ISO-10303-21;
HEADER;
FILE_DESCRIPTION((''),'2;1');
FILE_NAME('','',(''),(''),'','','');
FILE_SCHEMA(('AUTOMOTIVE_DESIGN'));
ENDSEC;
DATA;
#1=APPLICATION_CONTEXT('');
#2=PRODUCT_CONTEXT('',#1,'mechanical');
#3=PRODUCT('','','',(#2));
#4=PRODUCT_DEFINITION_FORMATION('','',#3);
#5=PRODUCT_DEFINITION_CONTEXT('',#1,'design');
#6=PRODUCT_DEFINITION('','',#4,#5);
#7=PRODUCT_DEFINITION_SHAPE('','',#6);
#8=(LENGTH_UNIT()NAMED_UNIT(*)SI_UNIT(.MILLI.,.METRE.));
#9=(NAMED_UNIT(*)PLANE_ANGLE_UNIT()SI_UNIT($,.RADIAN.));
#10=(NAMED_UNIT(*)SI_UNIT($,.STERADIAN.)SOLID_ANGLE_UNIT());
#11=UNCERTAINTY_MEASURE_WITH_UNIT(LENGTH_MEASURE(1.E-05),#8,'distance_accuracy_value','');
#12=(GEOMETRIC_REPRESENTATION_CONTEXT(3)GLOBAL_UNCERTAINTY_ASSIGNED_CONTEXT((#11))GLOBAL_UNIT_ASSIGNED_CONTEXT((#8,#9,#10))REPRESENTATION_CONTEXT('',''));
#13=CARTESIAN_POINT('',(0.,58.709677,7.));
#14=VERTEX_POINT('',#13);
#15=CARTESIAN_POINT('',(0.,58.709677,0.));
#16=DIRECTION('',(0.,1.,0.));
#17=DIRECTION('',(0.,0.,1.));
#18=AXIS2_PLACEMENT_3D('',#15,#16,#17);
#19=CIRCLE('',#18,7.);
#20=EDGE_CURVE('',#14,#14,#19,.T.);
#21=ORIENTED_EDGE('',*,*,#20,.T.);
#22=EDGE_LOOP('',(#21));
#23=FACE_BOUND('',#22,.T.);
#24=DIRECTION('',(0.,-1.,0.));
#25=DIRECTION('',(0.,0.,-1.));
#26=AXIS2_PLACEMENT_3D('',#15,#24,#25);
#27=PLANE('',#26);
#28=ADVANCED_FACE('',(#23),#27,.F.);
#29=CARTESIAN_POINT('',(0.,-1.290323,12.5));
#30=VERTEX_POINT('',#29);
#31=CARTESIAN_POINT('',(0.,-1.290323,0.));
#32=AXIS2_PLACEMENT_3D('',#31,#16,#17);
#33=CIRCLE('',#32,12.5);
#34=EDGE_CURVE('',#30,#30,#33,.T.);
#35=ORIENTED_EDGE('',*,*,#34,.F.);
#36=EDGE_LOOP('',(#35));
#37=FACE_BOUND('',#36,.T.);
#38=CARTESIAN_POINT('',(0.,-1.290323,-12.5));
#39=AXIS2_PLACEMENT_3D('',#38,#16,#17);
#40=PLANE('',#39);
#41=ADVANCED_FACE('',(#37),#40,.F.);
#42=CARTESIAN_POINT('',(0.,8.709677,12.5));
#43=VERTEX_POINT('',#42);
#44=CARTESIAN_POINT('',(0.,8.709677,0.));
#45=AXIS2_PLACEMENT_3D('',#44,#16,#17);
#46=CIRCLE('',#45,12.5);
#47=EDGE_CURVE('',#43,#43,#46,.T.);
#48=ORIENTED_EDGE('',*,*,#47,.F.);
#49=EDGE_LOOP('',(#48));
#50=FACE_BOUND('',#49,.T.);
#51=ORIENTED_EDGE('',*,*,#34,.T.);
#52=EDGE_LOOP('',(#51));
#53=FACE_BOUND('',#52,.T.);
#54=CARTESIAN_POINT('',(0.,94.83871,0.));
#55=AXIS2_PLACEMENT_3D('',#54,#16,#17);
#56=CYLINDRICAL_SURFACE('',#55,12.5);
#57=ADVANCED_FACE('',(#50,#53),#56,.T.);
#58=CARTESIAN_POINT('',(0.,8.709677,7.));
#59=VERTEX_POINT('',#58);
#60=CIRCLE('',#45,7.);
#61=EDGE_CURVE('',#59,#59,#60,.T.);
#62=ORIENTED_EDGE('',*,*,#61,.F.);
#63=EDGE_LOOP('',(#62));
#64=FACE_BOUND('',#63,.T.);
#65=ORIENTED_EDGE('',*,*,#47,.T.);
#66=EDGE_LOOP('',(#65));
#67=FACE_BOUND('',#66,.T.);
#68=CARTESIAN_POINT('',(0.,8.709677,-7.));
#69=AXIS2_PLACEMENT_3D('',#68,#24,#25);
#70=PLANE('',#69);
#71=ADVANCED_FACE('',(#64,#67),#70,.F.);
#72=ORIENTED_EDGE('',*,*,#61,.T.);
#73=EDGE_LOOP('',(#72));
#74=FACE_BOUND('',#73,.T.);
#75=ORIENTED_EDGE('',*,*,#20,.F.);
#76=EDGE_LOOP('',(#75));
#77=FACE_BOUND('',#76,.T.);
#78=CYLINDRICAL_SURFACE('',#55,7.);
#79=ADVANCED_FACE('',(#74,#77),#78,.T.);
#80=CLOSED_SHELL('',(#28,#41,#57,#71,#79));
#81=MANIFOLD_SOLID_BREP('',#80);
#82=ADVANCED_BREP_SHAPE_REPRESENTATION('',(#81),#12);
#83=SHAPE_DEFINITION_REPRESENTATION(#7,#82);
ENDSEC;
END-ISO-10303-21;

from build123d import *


with BuildPart() as part:
    # Sketch1 → Revolve1 (revolve)
    with BuildSketch(Plane(origin=(0, 0, 0), x_dir=(0, 0, -1), z_dir=(1, 0, 0)), mode=Mode.PRIVATE) as revolve1_sk:
        Polygon((0, 58.709677419), (7, 58.709677419), (7, 8.709677419), (12.5, 8.709677419), (12.5, -1.290322581), (0, -1.290322581), align=None)
    revolve(revolve1_sk.sketch.rotate(Axis((0, 94.838709677, 0), (0, -1, 0)), 180), axis=Axis((0, 94.838709677, 0), (0, -1, 0)))


solid = part.part
